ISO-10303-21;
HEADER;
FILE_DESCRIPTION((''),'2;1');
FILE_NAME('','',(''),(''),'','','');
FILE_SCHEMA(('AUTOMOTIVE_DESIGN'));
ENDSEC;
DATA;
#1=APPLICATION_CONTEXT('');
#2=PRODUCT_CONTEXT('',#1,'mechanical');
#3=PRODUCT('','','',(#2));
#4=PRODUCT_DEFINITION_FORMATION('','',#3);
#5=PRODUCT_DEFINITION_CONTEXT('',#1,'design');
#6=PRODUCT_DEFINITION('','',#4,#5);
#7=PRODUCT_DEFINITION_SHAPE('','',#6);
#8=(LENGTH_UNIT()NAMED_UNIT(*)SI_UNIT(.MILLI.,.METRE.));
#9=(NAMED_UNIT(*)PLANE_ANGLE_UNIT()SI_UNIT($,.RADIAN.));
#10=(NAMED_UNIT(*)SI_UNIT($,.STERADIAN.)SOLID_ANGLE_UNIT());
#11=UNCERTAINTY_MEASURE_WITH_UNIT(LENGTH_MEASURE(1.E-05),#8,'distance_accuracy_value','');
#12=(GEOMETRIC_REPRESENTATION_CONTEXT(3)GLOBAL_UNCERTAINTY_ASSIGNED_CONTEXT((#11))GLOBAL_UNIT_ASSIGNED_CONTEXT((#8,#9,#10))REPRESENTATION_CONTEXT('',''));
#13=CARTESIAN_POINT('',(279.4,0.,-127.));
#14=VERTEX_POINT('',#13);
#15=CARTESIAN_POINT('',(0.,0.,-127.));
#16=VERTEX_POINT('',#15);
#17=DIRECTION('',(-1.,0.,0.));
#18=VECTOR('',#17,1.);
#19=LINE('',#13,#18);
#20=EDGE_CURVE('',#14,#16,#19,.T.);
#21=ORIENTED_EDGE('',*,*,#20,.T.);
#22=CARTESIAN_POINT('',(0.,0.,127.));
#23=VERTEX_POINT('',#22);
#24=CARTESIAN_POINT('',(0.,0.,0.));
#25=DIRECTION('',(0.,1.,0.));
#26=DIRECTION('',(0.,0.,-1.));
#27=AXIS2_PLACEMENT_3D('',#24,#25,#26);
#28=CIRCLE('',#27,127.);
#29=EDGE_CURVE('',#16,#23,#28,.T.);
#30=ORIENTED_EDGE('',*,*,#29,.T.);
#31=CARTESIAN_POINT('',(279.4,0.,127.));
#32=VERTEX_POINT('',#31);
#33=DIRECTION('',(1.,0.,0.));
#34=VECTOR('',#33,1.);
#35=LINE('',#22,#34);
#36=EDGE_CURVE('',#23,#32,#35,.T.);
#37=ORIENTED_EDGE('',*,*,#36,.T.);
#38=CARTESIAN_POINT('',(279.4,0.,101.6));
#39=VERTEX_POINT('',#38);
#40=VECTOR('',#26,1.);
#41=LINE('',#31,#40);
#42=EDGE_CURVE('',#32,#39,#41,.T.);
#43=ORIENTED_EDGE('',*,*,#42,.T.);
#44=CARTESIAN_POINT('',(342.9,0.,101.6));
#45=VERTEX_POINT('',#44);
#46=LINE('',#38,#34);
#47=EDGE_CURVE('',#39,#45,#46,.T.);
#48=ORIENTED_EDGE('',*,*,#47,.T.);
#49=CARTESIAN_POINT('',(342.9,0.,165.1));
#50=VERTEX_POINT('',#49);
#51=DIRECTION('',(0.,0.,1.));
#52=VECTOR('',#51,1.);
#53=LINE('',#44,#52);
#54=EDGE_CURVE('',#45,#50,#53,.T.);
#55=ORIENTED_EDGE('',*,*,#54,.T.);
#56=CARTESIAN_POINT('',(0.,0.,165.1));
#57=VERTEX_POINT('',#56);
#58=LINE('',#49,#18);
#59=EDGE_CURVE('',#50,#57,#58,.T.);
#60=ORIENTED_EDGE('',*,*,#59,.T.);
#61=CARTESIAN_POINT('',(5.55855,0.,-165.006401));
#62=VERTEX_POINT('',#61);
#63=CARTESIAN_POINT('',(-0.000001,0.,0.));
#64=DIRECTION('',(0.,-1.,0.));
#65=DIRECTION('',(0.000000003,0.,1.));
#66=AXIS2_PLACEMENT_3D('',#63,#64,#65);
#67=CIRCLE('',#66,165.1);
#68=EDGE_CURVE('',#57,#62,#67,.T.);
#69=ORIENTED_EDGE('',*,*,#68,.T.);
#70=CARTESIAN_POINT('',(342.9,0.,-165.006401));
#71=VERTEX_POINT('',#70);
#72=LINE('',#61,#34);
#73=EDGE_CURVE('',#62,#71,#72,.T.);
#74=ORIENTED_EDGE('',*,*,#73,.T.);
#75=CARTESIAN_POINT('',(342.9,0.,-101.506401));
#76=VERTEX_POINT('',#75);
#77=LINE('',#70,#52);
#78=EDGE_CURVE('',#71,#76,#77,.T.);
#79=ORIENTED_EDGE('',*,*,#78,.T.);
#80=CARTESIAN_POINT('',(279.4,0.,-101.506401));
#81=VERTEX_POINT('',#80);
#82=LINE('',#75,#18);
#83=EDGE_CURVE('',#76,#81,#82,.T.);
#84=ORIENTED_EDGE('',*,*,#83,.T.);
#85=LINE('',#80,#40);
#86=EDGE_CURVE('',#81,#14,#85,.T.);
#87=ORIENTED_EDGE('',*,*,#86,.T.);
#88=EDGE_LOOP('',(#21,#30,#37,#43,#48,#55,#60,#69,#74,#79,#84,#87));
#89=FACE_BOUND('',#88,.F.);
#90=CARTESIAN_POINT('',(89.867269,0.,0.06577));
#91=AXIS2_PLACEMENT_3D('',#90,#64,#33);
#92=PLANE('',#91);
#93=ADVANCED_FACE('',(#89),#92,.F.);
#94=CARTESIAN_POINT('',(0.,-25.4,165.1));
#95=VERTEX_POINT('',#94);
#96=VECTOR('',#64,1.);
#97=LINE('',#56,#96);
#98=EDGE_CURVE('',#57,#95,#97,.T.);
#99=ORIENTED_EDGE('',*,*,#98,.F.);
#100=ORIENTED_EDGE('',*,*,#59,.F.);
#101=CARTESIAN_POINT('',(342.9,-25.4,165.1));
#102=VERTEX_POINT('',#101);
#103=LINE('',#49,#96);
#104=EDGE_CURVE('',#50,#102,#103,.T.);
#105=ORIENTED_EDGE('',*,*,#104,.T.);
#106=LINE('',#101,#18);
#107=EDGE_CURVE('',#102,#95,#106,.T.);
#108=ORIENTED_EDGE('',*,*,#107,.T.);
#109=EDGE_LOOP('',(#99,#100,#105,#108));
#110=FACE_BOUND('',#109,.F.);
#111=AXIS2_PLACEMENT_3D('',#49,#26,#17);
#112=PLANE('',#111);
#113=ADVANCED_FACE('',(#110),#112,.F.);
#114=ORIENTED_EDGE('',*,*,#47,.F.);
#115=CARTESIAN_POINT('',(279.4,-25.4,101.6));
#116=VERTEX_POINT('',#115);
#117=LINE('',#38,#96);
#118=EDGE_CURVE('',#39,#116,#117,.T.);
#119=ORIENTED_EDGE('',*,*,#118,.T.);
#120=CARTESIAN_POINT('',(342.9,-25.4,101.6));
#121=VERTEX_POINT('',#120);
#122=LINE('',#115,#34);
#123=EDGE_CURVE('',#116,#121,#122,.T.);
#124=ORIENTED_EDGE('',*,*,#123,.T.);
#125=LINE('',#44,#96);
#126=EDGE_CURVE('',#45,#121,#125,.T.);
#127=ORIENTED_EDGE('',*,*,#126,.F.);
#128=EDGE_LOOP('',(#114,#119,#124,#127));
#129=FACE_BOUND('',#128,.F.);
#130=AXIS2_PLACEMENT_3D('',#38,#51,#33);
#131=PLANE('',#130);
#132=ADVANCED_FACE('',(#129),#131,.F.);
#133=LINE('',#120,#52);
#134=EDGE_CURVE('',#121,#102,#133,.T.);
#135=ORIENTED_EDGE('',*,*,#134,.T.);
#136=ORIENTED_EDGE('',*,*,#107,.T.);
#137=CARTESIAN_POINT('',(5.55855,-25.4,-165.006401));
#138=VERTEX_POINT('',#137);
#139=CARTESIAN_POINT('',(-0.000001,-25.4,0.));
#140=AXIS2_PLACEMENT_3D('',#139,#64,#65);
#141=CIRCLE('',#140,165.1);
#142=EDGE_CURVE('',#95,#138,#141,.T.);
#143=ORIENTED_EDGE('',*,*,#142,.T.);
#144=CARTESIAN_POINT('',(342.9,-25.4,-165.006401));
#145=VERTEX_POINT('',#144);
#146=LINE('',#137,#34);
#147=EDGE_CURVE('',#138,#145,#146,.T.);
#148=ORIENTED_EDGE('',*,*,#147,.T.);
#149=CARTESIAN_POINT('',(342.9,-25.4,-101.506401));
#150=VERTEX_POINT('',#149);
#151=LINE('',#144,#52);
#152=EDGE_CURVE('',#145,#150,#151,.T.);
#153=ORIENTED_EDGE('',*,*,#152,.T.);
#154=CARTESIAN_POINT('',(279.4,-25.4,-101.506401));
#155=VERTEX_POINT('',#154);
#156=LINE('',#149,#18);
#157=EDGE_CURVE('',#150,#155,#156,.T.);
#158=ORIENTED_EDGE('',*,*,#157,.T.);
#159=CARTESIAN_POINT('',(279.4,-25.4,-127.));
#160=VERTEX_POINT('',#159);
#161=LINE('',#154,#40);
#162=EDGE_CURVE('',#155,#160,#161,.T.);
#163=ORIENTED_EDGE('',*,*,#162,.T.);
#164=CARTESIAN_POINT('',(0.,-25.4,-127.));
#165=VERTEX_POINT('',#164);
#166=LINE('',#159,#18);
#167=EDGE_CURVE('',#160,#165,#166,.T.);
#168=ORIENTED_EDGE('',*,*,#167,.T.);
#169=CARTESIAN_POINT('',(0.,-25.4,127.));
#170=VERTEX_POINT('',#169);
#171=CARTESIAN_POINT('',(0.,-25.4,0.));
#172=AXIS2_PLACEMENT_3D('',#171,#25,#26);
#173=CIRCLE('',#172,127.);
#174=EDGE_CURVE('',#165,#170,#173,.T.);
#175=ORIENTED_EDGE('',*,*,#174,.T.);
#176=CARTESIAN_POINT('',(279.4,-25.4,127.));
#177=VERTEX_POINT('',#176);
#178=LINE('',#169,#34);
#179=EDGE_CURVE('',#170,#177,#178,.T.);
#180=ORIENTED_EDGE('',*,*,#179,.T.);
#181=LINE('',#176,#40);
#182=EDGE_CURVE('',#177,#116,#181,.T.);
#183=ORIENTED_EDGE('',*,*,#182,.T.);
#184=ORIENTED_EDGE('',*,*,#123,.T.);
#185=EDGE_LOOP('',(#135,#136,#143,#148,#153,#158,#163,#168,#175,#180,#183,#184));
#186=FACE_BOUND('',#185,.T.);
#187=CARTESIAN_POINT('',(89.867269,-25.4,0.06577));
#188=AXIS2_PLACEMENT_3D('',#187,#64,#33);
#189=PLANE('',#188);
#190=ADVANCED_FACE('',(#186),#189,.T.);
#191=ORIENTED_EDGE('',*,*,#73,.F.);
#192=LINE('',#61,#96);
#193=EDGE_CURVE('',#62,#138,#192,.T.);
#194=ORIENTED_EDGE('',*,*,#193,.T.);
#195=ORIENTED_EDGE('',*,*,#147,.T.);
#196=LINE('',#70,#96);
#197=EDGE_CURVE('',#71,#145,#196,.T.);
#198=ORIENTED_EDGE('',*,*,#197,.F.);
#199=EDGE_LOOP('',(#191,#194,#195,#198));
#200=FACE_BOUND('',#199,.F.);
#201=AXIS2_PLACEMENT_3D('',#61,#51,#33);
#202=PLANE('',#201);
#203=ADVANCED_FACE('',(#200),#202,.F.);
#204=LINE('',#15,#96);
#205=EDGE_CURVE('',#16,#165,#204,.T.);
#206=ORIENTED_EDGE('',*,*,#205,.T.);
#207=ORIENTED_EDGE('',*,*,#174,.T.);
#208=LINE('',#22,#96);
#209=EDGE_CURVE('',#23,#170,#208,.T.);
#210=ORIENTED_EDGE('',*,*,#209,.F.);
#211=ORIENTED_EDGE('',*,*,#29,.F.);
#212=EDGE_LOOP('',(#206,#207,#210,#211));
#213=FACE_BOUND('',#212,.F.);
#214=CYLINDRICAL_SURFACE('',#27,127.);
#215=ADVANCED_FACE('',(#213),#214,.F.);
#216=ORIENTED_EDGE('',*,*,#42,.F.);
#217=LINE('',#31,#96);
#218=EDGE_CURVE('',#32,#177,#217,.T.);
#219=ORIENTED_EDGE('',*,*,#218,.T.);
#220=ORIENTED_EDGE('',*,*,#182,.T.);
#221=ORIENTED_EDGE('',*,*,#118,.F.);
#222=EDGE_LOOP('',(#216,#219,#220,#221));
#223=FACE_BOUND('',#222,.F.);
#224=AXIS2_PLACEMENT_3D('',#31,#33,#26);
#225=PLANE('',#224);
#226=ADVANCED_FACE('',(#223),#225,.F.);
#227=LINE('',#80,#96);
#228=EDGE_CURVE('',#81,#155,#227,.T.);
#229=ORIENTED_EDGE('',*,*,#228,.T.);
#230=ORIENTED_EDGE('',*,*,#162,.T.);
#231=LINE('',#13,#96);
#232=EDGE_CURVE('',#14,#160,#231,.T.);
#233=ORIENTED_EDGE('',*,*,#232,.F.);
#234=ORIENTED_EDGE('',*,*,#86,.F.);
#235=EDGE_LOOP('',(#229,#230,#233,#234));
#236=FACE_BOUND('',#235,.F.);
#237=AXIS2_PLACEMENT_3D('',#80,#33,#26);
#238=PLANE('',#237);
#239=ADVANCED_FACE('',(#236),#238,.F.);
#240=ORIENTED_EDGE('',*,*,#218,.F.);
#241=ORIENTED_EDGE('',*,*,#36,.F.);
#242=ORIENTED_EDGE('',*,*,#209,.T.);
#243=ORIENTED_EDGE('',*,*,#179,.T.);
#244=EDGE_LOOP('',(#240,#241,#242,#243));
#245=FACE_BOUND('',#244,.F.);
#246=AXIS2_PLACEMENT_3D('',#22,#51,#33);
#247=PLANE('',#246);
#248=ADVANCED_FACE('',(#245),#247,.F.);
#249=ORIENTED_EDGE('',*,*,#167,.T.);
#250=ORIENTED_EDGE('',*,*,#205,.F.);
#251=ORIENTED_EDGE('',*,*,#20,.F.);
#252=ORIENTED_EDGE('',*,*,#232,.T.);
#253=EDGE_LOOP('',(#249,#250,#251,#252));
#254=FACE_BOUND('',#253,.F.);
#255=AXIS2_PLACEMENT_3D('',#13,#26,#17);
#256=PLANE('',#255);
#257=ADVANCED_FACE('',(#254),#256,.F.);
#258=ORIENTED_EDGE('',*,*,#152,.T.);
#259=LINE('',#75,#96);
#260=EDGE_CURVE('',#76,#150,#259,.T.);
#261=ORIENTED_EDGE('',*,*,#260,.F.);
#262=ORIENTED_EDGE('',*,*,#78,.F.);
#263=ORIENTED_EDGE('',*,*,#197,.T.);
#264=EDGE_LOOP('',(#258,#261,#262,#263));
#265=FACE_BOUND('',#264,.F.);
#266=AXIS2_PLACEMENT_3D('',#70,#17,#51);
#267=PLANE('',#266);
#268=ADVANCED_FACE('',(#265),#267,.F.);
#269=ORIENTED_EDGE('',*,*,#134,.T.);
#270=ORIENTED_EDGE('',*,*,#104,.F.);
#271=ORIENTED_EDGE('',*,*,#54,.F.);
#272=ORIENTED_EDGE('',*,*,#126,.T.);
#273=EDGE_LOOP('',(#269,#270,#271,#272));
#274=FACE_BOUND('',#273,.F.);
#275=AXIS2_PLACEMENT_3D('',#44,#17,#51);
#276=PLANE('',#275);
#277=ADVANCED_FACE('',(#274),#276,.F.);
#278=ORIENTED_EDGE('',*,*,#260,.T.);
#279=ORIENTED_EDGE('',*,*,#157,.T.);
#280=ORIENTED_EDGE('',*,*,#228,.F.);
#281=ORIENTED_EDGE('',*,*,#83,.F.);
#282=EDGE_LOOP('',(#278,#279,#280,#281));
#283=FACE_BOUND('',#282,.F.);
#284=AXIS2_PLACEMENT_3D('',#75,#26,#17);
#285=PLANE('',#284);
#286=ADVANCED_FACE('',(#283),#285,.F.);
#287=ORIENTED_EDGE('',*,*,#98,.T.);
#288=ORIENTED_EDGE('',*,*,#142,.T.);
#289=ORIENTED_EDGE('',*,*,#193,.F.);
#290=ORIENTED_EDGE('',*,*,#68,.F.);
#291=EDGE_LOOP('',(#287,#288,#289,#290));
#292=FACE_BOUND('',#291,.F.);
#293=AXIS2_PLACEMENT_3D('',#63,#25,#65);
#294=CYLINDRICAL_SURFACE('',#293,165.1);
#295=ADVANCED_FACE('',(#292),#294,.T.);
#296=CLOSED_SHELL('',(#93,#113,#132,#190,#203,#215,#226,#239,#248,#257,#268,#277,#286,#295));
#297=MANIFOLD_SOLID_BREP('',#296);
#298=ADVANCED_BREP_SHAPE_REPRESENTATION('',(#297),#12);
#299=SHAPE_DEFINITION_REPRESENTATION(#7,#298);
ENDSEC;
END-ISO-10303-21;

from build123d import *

# Parameters (mm, degrees)
F1_DEPTH = 25.4


with BuildPart() as f1:
    # F0 (on Front) → F1 (new body)
    with BuildSketch(Plane.XZ):
        with BuildLine():
            ThreePointArc((0, -127), (-127, 0), (0, 127))
            Line((0, 127), (279.4, 127))
            Line((279.4, 127), (279.4, 101.6))
            Line((279.4, 101.6), (342.9, 101.6))
            Line((342.9, 101.6), (342.9, 127))
            Line((342.9, 127), (342.9, 165.1))
            Line((342.9, 165.1), (279.4, 165.1))
            Line((279.4, 165.1), (0, 165.1))
            ThreePointArc((0, 165.1), (-165.076599, -2.779669), (5.55855, -165.006401))
            Line((5.55855, -165.006401), (279.4, -165.006401))
            Line((279.4, -165.006401), (342.9, -165.006401))
            Line((342.9, -165.006401), (342.9, -127))
            Line((342.9, -127), (342.9, -101.506401))
            Line((342.9, -101.506401), (279.4, -101.506401))
            Line((279.4, -101.506401), (279.4, -127))
            Line((279.4, -127), (0, -127))
        make_face()
    extrude(amount=F1_DEPTH)


solid = f1.part
